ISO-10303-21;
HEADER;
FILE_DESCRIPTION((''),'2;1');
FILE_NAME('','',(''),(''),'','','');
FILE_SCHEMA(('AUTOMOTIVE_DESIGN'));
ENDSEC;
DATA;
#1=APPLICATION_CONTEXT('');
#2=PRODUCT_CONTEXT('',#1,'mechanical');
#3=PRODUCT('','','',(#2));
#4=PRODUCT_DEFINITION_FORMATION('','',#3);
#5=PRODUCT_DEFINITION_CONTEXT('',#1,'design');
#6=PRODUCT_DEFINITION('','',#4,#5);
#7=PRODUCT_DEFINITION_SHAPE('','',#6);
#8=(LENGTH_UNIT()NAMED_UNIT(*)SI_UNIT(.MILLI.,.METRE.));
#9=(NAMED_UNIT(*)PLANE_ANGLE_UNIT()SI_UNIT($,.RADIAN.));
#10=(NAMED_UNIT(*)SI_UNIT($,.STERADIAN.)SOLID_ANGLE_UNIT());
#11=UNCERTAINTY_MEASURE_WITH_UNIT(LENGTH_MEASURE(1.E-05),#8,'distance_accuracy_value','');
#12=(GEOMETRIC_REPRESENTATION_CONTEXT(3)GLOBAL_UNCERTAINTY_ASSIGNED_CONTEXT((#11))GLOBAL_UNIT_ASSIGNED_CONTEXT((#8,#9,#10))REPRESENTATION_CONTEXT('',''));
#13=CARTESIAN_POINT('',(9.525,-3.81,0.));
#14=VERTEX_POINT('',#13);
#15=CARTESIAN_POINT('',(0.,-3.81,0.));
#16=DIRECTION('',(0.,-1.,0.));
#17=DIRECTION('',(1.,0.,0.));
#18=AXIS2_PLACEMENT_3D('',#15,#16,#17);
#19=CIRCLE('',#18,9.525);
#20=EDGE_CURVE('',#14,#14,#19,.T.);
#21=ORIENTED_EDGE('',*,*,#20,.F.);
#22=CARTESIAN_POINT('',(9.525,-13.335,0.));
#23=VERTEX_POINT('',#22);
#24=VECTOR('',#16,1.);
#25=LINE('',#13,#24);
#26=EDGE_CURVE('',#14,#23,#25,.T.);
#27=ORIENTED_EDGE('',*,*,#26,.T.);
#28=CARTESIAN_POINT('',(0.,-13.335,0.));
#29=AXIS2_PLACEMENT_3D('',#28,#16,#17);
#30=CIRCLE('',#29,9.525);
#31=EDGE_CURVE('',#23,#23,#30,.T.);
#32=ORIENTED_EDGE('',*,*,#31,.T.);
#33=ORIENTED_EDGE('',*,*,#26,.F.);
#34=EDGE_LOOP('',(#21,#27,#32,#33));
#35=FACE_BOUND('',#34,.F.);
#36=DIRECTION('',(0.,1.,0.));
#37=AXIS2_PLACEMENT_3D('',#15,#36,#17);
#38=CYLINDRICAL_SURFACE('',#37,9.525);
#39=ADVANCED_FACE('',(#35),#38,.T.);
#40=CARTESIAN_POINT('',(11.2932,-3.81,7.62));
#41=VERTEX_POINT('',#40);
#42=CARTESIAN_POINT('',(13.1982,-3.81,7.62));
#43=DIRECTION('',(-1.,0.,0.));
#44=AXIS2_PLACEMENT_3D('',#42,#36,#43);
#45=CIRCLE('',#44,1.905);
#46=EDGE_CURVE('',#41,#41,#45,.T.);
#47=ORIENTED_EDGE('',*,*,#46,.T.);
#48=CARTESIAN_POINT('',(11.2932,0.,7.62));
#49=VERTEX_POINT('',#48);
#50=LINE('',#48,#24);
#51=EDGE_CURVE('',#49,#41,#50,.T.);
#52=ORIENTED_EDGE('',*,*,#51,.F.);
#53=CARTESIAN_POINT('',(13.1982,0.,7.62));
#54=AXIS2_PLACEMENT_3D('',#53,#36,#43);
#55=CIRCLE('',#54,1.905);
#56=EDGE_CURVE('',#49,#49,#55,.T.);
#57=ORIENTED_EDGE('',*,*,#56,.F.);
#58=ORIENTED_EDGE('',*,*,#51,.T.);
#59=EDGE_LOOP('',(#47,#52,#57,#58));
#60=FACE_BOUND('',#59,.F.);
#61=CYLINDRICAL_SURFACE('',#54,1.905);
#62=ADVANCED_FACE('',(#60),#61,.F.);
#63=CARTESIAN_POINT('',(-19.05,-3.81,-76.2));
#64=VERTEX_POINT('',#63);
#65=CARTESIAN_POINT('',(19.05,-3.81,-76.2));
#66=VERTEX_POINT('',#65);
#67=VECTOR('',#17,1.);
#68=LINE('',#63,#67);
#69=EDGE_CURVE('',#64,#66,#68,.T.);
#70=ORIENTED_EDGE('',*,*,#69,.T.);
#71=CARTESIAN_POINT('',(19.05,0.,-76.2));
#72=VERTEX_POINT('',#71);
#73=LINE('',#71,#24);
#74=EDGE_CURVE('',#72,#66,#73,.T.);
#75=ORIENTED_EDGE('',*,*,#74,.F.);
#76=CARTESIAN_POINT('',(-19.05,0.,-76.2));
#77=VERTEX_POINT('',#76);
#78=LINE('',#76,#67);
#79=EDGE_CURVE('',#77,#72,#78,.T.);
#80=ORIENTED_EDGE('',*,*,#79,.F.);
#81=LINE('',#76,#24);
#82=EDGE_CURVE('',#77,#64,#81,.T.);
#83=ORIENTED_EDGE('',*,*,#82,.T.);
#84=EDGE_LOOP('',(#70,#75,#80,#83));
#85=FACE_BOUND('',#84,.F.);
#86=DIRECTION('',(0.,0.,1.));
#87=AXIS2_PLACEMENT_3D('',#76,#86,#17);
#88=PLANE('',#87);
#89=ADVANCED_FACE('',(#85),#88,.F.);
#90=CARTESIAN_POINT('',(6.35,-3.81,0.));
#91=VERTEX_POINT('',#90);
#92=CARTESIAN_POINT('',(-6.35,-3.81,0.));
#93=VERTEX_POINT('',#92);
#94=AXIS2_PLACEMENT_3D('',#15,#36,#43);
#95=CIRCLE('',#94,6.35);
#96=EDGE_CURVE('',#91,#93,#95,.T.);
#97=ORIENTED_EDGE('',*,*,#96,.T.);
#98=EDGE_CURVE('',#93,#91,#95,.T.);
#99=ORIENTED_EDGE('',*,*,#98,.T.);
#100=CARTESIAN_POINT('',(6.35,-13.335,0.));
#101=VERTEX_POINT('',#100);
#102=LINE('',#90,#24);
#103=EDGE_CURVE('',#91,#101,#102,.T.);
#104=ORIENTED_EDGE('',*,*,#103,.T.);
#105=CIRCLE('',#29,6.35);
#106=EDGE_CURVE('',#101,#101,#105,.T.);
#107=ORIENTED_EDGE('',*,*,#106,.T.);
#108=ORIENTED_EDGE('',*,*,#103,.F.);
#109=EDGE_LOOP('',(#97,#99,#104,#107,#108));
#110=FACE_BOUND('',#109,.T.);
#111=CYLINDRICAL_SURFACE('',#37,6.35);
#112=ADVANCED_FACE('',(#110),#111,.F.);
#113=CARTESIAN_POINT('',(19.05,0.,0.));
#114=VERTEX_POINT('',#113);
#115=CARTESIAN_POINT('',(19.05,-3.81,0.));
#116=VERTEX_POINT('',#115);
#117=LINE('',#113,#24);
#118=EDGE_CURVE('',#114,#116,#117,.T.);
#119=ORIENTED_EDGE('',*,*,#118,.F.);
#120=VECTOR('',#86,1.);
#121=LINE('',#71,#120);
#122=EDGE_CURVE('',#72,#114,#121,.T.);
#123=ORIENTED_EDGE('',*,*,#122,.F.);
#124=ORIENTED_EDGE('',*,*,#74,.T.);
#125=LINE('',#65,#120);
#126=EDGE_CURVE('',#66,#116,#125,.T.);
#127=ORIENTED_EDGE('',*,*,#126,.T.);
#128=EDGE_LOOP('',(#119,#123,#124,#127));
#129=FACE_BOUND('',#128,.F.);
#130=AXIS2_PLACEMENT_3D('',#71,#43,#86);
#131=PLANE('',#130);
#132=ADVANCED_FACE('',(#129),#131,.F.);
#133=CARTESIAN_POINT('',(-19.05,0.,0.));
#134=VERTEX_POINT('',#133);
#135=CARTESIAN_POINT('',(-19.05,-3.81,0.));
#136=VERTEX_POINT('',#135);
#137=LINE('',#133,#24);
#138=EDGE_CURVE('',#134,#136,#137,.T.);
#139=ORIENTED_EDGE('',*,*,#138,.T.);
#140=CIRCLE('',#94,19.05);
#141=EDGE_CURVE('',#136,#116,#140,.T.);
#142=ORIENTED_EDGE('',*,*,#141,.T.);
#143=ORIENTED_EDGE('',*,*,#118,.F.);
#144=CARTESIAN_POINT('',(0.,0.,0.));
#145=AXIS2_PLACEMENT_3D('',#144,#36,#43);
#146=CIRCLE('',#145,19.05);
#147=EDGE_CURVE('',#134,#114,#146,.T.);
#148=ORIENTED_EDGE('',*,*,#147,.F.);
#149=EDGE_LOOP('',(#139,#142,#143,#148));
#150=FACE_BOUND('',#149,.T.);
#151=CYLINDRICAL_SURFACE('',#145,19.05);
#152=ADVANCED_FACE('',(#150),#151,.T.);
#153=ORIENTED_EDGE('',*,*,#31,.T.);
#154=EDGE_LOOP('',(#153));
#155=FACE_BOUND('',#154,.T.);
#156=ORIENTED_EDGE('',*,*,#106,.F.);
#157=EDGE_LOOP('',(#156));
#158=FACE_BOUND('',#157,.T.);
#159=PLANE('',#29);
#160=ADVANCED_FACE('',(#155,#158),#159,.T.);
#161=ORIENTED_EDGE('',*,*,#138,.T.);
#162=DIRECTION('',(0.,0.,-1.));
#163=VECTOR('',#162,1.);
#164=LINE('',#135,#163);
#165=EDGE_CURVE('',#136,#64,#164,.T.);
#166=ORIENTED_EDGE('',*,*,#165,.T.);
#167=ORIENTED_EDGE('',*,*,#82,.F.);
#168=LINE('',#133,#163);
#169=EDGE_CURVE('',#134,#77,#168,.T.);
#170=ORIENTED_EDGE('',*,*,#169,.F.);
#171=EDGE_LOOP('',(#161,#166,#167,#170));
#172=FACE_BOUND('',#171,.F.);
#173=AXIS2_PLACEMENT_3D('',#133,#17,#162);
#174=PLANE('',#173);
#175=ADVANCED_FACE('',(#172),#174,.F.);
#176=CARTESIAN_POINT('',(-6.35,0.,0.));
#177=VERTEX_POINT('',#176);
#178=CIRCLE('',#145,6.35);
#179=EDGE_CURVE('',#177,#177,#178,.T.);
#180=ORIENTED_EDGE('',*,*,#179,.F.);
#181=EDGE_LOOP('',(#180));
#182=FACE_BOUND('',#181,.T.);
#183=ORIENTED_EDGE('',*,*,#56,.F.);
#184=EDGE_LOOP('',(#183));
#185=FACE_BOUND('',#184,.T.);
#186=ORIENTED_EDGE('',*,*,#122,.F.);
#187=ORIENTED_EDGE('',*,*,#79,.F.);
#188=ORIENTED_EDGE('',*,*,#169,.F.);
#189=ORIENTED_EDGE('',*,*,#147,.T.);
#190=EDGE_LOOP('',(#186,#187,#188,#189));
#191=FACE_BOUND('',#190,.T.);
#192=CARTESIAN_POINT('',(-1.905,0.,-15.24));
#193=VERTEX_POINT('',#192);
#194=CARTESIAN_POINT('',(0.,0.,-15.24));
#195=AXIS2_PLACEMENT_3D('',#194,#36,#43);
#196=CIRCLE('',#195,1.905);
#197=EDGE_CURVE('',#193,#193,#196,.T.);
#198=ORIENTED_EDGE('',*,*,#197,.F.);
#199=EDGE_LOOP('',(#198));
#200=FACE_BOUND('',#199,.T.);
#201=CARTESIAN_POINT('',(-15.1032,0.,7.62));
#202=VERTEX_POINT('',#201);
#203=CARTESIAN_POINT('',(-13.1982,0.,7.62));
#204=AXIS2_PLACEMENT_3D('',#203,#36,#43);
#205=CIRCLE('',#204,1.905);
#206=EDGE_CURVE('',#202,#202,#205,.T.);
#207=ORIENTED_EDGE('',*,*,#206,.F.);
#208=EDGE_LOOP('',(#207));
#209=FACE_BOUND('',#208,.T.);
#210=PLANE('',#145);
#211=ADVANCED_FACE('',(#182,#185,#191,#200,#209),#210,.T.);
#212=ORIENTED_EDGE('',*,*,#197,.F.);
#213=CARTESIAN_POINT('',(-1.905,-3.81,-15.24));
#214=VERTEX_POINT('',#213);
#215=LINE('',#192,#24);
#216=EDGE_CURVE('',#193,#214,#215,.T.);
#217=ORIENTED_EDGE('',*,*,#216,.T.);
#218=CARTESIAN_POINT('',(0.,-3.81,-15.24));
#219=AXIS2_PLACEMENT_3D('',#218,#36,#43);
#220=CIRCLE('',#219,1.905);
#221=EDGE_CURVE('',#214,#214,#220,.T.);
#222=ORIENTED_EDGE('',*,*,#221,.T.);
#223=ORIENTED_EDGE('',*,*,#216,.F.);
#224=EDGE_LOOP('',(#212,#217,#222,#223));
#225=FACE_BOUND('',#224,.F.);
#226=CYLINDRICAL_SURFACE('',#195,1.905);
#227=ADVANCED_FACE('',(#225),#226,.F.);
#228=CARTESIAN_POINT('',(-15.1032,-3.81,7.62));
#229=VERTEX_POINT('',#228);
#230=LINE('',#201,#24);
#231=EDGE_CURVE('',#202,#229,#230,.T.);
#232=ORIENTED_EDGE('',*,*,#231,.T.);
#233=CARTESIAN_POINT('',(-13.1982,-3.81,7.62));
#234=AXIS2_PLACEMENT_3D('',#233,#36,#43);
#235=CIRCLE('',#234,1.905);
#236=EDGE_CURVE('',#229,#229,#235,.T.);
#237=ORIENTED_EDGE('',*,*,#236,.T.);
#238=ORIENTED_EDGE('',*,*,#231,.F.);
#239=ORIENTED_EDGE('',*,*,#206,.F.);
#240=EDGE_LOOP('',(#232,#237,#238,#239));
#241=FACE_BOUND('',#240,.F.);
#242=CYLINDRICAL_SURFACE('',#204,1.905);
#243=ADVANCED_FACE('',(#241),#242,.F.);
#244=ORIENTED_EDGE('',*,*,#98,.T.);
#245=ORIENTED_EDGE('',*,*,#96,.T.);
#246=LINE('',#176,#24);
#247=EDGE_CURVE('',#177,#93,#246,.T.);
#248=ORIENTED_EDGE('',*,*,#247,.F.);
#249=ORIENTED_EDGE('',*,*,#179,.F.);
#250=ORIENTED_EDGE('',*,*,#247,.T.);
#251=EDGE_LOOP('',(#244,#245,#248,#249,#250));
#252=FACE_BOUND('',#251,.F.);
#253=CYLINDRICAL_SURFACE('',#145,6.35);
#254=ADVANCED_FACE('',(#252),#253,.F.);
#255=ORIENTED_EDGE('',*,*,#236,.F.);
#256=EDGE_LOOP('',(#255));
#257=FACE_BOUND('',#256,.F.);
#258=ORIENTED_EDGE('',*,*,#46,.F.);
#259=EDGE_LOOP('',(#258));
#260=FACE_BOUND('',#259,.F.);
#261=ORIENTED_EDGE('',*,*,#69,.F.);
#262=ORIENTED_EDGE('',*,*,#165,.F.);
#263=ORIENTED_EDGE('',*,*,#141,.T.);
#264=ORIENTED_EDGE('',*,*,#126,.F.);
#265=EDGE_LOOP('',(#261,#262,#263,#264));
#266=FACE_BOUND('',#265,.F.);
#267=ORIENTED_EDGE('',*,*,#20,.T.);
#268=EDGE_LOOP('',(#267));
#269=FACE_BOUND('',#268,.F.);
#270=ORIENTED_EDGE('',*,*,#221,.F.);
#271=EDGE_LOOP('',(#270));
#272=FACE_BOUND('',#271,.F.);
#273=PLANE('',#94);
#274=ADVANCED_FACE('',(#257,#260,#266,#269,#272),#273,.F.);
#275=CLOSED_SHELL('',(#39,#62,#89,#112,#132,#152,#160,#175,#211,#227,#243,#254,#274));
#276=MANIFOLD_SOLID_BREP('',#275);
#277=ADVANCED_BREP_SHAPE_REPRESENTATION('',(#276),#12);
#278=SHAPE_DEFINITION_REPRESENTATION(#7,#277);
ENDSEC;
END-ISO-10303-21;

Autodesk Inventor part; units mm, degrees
ref_plane "YZ Plane" through (0, 0, 0) normal (1, 0, 0) x (0, 1, 0)
ref_plane "XZ Plane" through (0, 0, 0) normal (0, 1, 0) x (-1, 0, 0)
ref_plane "XY Plane" through (0, 0, 0) normal (0, 0, 1) x (1, 0, 0)
sketch "Sketch1" plane through (0, 0, 0) normal (0, 1, 0) x (-1, 0, 0)
  circle A0 centre (0, 0) radius 15.24 construction
  circle A1 centre (0, -15.24) radius 1.905
  circle A2 centre (13.1982, 7.62) radius 1.905
  circle A3 centre (-13.1982, 7.62) radius 1.905
  arc A4 (19.05, 0) -> (-19.05, 0) centre (0, 0) ccw
  line L0 (19.05, 0) -> (19.05, -76.2)
  line L1 (19.05, -76.2) -> (-19.05, -76.2)
  line L2 (-19.05, -76.2) -> (-19.05, 0)
  circle A5 centre (0, 0) radius 6.35
  point P0 (0, -19.05)
  point P1 (0, 19.05)
  dimension "boltHoleDiameter" = 30.48
  dimension "d1" = 3.81
  dimension "d4" = 360
  dimension "exteriorOfBolts" = 38.1
  dimension "majorLength" = 76.2
  dimension "d12" = 12.7
extrude "Extrusion2" add sketch "Sketch1" against normal blind 3.81
sketch "Sketch2" plane through (0, -3.81, 0) normal (0, -1, 0) x (1, 0, 0)
  circle A0 centre (0, 0) radius 6.35
  circle A1 centre (0, 0) radius 9.525
  dimension "d15" = 19.05
extrude "Extrusion3" add sketch "Sketch2" along normal blind 9.525
properties part number "Focuser Base"
